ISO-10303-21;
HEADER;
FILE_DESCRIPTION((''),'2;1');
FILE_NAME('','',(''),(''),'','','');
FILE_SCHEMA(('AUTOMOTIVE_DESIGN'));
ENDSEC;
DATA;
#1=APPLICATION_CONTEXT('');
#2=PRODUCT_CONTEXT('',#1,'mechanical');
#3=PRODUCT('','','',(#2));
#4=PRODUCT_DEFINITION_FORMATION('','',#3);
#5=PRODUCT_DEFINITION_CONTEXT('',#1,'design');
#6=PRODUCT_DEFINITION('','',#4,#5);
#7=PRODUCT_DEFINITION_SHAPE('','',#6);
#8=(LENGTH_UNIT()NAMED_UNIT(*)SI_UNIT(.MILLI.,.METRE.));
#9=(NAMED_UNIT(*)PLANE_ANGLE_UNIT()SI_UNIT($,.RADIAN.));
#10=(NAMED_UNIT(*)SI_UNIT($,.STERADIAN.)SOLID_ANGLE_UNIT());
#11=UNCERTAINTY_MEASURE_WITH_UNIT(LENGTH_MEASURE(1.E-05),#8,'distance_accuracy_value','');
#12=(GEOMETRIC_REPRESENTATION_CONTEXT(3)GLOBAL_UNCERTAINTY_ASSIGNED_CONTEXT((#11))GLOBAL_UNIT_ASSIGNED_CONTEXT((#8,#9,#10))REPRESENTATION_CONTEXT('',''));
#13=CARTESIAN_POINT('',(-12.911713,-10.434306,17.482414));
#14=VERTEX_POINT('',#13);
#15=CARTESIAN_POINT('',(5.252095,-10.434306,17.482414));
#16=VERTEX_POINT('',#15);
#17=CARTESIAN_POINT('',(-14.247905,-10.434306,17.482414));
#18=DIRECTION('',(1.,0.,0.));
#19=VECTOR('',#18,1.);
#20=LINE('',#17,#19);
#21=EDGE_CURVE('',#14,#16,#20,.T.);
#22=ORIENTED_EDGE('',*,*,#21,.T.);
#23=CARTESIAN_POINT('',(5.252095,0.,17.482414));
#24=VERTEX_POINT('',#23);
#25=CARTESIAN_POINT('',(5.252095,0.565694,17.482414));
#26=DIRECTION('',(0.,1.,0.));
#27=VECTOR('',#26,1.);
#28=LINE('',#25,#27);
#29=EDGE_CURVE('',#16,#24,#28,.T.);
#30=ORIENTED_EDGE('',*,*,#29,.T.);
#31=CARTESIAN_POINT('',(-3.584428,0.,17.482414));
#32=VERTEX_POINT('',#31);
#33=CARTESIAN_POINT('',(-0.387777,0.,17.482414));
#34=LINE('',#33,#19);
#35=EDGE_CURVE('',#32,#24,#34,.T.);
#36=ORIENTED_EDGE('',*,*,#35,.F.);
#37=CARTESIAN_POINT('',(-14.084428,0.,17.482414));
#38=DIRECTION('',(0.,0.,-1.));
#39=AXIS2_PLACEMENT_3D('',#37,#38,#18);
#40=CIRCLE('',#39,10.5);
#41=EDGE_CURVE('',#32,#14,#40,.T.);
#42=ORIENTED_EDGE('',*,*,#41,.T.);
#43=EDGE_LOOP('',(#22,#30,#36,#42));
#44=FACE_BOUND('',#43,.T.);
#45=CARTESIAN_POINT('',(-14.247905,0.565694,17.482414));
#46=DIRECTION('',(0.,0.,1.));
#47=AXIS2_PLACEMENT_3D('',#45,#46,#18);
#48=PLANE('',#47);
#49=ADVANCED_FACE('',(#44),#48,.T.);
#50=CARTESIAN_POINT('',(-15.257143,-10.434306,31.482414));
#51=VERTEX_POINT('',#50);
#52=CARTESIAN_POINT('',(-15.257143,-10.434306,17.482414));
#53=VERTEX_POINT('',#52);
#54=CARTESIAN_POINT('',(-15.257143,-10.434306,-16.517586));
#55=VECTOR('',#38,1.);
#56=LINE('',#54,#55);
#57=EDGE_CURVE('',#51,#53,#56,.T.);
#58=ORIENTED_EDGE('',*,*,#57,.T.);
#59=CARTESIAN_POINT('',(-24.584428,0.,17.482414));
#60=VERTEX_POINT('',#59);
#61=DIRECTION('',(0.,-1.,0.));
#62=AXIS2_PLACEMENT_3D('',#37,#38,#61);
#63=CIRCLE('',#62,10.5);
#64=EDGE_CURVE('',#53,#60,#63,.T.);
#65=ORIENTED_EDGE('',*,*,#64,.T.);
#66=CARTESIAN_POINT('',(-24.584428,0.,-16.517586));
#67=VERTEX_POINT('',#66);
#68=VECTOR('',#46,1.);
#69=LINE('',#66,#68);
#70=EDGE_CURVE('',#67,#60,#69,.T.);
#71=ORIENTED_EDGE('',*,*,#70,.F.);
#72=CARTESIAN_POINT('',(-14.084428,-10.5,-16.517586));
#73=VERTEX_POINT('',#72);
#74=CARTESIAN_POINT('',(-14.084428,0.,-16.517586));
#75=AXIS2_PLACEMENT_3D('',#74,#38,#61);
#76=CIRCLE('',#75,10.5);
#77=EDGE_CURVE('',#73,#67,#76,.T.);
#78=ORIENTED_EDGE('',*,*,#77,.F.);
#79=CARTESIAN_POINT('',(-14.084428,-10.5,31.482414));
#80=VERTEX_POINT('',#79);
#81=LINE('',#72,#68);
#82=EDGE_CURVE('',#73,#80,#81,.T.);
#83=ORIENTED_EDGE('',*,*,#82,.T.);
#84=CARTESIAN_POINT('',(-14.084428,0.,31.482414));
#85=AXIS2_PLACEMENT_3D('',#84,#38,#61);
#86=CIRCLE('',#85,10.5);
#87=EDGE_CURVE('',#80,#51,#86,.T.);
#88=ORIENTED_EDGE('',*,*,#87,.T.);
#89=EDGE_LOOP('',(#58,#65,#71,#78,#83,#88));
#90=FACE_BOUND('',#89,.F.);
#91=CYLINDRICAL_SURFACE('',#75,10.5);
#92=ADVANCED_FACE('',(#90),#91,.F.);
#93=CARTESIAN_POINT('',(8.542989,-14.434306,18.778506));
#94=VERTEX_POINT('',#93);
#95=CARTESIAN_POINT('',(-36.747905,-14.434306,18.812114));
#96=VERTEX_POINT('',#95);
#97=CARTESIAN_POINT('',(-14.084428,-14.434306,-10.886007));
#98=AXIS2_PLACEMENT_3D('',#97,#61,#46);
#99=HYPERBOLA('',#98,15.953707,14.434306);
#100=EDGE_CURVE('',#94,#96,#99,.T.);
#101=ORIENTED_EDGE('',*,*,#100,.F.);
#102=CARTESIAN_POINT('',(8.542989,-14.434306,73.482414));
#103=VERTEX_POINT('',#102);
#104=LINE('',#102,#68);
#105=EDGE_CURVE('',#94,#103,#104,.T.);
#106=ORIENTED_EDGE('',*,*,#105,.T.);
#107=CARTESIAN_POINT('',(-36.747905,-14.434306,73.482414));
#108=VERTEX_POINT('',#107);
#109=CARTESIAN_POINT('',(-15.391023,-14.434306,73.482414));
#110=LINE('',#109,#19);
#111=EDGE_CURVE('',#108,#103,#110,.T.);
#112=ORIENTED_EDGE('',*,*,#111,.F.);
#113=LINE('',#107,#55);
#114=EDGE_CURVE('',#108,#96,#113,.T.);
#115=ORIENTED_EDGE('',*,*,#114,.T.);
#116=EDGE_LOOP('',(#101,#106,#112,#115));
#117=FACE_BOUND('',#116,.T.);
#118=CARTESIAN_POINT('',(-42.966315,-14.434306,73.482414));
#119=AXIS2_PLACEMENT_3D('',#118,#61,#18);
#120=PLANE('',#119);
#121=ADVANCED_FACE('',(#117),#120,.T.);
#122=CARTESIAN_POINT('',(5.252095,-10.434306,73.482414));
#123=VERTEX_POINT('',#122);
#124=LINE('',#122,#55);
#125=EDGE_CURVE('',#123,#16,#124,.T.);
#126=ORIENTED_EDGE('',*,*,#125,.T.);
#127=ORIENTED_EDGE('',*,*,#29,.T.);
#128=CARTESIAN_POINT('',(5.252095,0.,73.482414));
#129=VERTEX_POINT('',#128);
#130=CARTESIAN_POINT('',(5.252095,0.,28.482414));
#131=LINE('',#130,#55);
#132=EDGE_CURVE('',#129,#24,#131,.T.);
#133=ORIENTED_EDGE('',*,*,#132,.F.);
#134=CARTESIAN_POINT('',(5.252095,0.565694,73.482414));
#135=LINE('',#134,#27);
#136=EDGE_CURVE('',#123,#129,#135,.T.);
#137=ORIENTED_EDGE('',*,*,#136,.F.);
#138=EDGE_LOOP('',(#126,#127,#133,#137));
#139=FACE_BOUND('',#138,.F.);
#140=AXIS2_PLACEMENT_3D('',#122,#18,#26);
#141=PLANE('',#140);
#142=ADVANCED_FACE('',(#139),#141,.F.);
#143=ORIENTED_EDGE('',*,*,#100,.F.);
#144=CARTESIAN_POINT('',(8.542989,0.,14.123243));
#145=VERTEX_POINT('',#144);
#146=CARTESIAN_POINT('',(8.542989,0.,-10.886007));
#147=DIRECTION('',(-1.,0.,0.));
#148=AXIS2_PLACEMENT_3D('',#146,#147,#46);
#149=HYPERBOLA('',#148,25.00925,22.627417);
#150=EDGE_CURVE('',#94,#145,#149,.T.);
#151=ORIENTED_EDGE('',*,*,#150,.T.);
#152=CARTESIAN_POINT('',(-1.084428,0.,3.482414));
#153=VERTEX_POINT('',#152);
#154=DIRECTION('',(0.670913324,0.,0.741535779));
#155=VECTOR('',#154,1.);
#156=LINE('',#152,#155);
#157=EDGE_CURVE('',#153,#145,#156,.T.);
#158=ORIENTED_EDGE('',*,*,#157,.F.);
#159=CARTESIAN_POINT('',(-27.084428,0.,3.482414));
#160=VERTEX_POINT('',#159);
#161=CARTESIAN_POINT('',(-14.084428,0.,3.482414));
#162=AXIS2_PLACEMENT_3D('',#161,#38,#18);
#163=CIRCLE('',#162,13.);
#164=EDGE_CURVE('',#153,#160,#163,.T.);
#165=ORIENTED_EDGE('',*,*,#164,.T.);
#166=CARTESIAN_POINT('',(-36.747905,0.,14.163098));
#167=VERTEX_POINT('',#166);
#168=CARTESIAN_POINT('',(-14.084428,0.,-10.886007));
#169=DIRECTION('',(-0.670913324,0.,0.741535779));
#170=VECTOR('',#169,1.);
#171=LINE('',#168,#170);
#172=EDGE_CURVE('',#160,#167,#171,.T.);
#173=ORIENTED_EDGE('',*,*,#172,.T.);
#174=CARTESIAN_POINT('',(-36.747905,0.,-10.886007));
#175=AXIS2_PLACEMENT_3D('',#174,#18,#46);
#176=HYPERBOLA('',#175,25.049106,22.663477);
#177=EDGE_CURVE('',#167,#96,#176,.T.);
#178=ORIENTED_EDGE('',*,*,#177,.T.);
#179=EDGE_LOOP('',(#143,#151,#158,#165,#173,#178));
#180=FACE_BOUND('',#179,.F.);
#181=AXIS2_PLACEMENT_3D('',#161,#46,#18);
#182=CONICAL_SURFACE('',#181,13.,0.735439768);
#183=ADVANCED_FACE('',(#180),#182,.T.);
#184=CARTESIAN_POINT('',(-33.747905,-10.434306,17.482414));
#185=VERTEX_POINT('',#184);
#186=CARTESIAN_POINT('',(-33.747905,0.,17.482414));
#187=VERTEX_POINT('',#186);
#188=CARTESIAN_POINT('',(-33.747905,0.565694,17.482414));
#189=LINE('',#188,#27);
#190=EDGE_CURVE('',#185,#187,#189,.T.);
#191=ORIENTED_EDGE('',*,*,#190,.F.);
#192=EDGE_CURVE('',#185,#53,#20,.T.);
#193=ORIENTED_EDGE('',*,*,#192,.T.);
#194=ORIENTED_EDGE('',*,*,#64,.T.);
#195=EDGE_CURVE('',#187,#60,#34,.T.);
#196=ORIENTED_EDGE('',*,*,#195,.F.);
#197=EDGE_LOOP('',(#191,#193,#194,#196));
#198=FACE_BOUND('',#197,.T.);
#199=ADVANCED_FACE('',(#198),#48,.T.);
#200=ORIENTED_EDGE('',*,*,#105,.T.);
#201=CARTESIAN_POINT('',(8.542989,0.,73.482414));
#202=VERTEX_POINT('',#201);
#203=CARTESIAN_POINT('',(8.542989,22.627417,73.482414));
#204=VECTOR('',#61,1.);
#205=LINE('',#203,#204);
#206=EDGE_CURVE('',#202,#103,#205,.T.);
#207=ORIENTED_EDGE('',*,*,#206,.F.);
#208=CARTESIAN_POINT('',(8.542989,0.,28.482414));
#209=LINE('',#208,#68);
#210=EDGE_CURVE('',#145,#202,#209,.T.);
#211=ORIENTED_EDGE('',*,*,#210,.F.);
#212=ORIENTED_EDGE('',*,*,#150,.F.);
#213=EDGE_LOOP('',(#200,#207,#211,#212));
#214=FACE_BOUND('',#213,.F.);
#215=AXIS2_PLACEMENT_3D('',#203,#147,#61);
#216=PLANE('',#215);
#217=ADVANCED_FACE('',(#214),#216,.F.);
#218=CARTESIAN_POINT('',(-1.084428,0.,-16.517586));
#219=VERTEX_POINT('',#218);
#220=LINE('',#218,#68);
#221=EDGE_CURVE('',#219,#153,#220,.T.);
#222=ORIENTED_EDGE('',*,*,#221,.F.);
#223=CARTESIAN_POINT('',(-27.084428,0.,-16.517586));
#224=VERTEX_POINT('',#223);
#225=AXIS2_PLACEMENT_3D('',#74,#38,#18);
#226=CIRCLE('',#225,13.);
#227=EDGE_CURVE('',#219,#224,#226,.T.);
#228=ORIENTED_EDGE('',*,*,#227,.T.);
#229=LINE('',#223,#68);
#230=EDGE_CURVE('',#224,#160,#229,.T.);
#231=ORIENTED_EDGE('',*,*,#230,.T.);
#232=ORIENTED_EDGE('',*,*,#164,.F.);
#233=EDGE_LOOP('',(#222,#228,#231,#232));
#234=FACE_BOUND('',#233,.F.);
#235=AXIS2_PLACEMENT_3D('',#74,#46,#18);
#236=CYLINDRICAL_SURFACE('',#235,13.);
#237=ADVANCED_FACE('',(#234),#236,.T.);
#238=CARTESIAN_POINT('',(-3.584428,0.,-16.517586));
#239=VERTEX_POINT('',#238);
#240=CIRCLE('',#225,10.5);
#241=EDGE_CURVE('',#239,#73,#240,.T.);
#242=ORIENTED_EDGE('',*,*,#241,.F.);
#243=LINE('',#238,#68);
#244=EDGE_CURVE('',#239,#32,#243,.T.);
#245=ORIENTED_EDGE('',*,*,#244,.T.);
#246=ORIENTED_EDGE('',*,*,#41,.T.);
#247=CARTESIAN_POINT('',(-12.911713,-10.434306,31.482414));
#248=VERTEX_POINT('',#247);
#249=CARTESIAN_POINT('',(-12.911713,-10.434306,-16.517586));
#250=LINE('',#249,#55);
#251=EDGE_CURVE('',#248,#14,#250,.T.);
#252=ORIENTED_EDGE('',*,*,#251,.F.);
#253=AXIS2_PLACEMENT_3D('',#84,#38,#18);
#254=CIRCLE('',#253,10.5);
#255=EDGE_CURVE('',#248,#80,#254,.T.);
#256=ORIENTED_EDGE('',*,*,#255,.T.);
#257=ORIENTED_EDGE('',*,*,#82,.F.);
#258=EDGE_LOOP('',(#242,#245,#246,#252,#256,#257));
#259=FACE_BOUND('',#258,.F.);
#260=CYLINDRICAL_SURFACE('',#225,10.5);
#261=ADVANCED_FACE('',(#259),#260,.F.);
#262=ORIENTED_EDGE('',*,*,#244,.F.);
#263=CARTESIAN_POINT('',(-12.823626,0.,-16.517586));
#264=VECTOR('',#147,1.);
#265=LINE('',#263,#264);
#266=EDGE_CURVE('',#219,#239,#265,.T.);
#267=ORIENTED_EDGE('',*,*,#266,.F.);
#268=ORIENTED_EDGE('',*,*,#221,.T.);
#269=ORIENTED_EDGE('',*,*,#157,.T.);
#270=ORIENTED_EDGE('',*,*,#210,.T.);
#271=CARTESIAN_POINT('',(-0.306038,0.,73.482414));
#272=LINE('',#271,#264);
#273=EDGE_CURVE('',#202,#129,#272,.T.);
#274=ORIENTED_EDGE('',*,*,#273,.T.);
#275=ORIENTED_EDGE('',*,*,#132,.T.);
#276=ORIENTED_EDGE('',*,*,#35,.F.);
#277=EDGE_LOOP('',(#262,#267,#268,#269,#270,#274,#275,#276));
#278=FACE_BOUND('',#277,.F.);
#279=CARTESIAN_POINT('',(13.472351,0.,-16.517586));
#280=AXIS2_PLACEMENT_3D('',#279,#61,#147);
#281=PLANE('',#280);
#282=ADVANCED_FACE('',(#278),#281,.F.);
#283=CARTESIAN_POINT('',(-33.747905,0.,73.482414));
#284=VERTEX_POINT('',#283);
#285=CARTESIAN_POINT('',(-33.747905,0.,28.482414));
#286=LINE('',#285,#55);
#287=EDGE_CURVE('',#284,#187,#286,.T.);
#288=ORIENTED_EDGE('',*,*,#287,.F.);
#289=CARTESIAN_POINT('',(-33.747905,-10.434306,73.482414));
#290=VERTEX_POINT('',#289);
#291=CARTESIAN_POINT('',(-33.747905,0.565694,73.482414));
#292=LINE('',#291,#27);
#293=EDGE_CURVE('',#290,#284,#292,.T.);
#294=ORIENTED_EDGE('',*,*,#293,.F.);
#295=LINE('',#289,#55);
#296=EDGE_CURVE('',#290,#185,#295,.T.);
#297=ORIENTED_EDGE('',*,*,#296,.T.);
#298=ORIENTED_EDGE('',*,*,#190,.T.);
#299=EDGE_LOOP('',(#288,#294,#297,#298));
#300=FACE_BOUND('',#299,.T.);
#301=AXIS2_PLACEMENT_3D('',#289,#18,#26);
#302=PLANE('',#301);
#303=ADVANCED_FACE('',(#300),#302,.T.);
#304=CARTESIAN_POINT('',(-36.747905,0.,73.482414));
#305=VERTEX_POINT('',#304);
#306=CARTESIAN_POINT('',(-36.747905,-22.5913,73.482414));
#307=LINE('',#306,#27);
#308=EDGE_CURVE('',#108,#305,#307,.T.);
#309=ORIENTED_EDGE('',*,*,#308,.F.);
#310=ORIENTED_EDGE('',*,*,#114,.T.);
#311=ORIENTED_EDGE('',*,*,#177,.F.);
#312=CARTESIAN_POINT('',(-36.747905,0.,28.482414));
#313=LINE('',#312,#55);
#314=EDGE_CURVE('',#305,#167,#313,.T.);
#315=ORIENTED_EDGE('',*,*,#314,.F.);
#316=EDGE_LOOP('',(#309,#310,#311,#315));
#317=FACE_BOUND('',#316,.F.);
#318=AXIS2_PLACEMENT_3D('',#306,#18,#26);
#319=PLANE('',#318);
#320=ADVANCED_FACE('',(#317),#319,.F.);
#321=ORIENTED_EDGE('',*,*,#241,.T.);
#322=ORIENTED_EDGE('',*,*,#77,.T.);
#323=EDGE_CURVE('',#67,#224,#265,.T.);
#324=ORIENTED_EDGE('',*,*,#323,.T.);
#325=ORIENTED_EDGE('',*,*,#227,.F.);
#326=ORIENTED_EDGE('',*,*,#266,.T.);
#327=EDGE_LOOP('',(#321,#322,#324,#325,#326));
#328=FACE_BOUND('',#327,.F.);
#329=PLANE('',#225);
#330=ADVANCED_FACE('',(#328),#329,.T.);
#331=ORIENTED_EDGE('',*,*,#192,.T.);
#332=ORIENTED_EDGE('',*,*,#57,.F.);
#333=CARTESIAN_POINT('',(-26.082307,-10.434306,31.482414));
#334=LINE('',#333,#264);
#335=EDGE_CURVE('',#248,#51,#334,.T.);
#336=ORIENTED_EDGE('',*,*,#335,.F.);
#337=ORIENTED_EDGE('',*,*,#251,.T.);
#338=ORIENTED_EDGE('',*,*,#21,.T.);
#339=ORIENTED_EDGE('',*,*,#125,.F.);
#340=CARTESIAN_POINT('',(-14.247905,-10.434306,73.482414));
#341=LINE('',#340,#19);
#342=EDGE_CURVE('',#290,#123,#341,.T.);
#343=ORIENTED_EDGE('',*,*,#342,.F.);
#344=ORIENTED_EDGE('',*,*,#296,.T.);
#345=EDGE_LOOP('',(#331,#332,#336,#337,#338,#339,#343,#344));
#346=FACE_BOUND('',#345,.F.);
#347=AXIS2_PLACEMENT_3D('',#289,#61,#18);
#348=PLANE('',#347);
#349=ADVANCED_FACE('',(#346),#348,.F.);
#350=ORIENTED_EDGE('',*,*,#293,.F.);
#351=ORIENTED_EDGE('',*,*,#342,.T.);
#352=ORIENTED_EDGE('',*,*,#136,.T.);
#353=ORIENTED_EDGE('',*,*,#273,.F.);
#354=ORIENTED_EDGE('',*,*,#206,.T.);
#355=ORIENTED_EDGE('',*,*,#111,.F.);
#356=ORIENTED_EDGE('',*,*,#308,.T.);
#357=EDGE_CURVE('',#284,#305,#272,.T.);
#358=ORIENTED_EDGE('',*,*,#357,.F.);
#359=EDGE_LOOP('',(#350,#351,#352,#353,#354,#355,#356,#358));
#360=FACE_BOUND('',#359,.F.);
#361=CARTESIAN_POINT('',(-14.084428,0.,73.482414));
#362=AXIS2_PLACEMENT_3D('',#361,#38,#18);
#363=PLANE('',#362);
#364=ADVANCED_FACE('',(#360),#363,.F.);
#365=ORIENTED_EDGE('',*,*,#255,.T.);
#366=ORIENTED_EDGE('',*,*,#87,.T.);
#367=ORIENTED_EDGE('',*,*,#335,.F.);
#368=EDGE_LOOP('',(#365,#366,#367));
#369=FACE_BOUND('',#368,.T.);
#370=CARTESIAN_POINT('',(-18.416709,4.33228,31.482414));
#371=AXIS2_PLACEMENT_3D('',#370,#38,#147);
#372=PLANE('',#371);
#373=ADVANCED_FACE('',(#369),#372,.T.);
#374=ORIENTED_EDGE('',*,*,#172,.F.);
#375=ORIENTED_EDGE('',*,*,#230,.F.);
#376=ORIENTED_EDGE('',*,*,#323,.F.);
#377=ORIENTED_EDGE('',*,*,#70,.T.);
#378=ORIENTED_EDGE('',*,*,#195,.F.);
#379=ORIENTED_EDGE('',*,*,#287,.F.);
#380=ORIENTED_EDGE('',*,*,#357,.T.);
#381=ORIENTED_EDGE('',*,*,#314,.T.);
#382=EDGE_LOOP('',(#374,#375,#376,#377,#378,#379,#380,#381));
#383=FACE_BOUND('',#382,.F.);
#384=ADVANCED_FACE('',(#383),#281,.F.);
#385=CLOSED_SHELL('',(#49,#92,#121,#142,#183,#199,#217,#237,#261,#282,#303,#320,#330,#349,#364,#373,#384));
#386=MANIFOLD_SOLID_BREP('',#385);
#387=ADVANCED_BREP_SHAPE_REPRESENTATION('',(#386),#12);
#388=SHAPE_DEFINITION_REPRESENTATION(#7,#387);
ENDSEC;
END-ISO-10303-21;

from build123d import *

# Parameters (mm, degrees)
CUT_EXTRUDE6_DEPTH  = 75
CUT_EXTRUDE7_DEPTH  = 48
SKETCH11_W          = 39
SKETCH11_H          = 22
CUT_EXTRUDE8_DEPTH  = 56
SKETCH14_W          = 50.821005264
SKETCH14_H          = 8.659157084
SKETCH14_W_2        = 55.150583806
SKETCH14_H_2        = 9.071497897
CUT_EXTRUDE11_DEPTH = 90
SKETCH15_W          = 52.591955303
SKETCH15_H          = 17.949813053
CUT_EXTRUDE12_DEPTH = 100


with BuildPart() as part:
    # Sketch1 → Revolve1 (revolve)
    with BuildSketch(Plane(origin=(0, 0, 0), x_dir=(1, 0, 0), z_dir=(0, 1, 0))):
        Polygon((-14.084428196, 16.517586435), (-1.084428196, 16.517586435), (-1.084428196, -3.482413565), (17.915571804, -24.482413565), (17.915571804, -73.482413565), (-14.084428196, -73.482413565), align=None)
    revolve(axis=Axis((-14.084428196, 0, 73.482413565), (0, 0, -1)))

    # Sketch7 → Cut-Extrude6 (cut)
    with BuildSketch(Plane.XY.offset(73.482413565)):
        with BuildLine():
            ThreePointArc((8.542988801, 22.627416998), (-1.838558361, 29.56414504), (-14.084428196, 32))
            Line((-14.084428196, 32), (-14.084428196, 22.627416998))
            Line((-14.084428196, 22.627416998), (8.542988801, 22.627416998))
        make_face()
        with BuildLine():
            Line((-14.084428196, 22.627416998), (-14.084428196, 32))
            ThreePointArc((-14.084428196, 32), (-26.330298032, 29.56414504), (-36.711845194, 22.627416998))
            Line((-36.711845194, 22.627416998), (-14.084428196, 22.627416998))
        make_face()
        with BuildLine():
            Line((-36.747904754, 0), (-36.747904754, 22.591299881))
            ThreePointArc((-36.747904754, 22.591299881), (-43.658329274, 12.222290091), (-46.084428196, 0))
            Line((-46.084428196, 0), (-36.747904754, 0))
        make_face()
        with BuildLine():
            Line((-36.747904754, -22.591299881), (-36.747904754, 0))
            Line((-36.747904754, 0), (-46.084428196, 0))
            ThreePointArc((-46.084428196, 0), (-43.658329274, -12.222290091), (-36.747904754, -22.591299881))
        make_face()
        with BuildLine():
            Line((-14.084428196, -32), (-14.084428196, -22.591299881))
            Line((-14.084428196, -22.591299881), (-36.747904754, -22.591299881))
            ThreePointArc((-36.747904754, -22.591299881), (-26.353869989, -29.554370203), (-14.084428196, -32))
        make_face()
        with BuildLine():
            ThreePointArc((17.915571804, 0), (15.479716844, 12.245869836), (8.542988801, 22.627416998))
            Line((8.542988801, 22.627416998), (8.542988801, 0))
            Line((8.542988801, 0), (17.915571804, 0))
        make_face()
        with BuildLine():
            Line((17.915571804, 0), (8.542988801, 0))
            Line((8.542988801, 0), (8.542988801, -22.591299881))
            Line((8.542988801, -22.591299881), (-14.084428196, -22.591299881))
            Line((-14.084428196, -22.591299881), (-14.084428196, -32))
            ThreePointArc((-14.084428196, -32), (8.542988801, -22.627416998), (17.915571804, 0))
        make_face()
    extrude(amount=-CUT_EXTRUDE6_DEPTH, mode=Mode.SUBTRACT)

    # Sketch10 → Cut-Extrude7 (cut)
    with BuildSketch(Plane(origin=(0, 0, -16.517586435), x_dir=(-1, 0, 0), z_dir=(0, 0, -1))):
        with BuildLine():
            ThreePointArc((24.584428196, 0), (21.509049399, 7.424621202), (14.084428196, 10.5))
            Line((14.084428196, 10.5), (14.084428196, 0))
            Line((14.084428196, 0), (24.584428196, 0))
        make_face()
        with BuildLine():
            Line((14.084428196, 0), (14.084428196, 10.5))
            ThreePointArc((14.084428196, 10.5), (6.659806994, 7.424621202), (3.584428196, 0))
            Line((3.584428196, 0), (14.084428196, 0))
        make_face()
        with BuildLine():
            Line((24.584428196, 0), (14.084428196, 0))
            Line((14.084428196, 0), (14.084428196, -10.5))
            ThreePointArc((14.084428196, -10.5), (21.509049399, -7.424621202), (24.584428196, 0))
        make_face()
        with BuildLine():
            Line((14.084428196, -10.5), (14.084428196, 0))
            Line((14.084428196, 0), (3.584428196, 0))
            ThreePointArc((3.584428196, 0), (6.659806994, -7.424621202), (14.084428196, -10.5))
        make_face()
    extrude(amount=-CUT_EXTRUDE7_DEPTH, mode=Mode.SUBTRACT)

    # Sketch11 → Cut-Extrude8 (cut)
    with BuildSketch(Plane.XY.offset(73.482413565)):
        with Locations((-14.247904754, 0.565694089)):
            Rectangle(SKETCH11_W, SKETCH11_H)
    extrude(amount=-CUT_EXTRUDE8_DEPTH, mode=Mode.SUBTRACT)

    # Sketch14 → Cut-Extrude11 (cut)
    with BuildSketch(Plane.XY.offset(73.482413565)):
        with Locations((-14.154000578, 19.895272631)):
            Rectangle(SKETCH14_W, SKETCH14_H)
        with Locations((-15.391023019, -18.97005486)):
            Rectangle(SKETCH14_W_2, SKETCH14_H_2)
    extrude(amount=-CUT_EXTRUDE11_DEPTH, mode=Mode.SUBTRACT)

    # Sketch15 → Cut-Extrude12 (cut)
    with BuildSketch(Plane(origin=(0, 0, -16.517586435), x_dir=(-1, 0, 0), z_dir=(0, 0, -1))):
        with Locations((12.823626237, 8.974906526)):
            Rectangle(SKETCH15_W, SKETCH15_H)
    extrude(amount=-CUT_EXTRUDE12_DEPTH, mode=Mode.SUBTRACT)


solid = part.part
